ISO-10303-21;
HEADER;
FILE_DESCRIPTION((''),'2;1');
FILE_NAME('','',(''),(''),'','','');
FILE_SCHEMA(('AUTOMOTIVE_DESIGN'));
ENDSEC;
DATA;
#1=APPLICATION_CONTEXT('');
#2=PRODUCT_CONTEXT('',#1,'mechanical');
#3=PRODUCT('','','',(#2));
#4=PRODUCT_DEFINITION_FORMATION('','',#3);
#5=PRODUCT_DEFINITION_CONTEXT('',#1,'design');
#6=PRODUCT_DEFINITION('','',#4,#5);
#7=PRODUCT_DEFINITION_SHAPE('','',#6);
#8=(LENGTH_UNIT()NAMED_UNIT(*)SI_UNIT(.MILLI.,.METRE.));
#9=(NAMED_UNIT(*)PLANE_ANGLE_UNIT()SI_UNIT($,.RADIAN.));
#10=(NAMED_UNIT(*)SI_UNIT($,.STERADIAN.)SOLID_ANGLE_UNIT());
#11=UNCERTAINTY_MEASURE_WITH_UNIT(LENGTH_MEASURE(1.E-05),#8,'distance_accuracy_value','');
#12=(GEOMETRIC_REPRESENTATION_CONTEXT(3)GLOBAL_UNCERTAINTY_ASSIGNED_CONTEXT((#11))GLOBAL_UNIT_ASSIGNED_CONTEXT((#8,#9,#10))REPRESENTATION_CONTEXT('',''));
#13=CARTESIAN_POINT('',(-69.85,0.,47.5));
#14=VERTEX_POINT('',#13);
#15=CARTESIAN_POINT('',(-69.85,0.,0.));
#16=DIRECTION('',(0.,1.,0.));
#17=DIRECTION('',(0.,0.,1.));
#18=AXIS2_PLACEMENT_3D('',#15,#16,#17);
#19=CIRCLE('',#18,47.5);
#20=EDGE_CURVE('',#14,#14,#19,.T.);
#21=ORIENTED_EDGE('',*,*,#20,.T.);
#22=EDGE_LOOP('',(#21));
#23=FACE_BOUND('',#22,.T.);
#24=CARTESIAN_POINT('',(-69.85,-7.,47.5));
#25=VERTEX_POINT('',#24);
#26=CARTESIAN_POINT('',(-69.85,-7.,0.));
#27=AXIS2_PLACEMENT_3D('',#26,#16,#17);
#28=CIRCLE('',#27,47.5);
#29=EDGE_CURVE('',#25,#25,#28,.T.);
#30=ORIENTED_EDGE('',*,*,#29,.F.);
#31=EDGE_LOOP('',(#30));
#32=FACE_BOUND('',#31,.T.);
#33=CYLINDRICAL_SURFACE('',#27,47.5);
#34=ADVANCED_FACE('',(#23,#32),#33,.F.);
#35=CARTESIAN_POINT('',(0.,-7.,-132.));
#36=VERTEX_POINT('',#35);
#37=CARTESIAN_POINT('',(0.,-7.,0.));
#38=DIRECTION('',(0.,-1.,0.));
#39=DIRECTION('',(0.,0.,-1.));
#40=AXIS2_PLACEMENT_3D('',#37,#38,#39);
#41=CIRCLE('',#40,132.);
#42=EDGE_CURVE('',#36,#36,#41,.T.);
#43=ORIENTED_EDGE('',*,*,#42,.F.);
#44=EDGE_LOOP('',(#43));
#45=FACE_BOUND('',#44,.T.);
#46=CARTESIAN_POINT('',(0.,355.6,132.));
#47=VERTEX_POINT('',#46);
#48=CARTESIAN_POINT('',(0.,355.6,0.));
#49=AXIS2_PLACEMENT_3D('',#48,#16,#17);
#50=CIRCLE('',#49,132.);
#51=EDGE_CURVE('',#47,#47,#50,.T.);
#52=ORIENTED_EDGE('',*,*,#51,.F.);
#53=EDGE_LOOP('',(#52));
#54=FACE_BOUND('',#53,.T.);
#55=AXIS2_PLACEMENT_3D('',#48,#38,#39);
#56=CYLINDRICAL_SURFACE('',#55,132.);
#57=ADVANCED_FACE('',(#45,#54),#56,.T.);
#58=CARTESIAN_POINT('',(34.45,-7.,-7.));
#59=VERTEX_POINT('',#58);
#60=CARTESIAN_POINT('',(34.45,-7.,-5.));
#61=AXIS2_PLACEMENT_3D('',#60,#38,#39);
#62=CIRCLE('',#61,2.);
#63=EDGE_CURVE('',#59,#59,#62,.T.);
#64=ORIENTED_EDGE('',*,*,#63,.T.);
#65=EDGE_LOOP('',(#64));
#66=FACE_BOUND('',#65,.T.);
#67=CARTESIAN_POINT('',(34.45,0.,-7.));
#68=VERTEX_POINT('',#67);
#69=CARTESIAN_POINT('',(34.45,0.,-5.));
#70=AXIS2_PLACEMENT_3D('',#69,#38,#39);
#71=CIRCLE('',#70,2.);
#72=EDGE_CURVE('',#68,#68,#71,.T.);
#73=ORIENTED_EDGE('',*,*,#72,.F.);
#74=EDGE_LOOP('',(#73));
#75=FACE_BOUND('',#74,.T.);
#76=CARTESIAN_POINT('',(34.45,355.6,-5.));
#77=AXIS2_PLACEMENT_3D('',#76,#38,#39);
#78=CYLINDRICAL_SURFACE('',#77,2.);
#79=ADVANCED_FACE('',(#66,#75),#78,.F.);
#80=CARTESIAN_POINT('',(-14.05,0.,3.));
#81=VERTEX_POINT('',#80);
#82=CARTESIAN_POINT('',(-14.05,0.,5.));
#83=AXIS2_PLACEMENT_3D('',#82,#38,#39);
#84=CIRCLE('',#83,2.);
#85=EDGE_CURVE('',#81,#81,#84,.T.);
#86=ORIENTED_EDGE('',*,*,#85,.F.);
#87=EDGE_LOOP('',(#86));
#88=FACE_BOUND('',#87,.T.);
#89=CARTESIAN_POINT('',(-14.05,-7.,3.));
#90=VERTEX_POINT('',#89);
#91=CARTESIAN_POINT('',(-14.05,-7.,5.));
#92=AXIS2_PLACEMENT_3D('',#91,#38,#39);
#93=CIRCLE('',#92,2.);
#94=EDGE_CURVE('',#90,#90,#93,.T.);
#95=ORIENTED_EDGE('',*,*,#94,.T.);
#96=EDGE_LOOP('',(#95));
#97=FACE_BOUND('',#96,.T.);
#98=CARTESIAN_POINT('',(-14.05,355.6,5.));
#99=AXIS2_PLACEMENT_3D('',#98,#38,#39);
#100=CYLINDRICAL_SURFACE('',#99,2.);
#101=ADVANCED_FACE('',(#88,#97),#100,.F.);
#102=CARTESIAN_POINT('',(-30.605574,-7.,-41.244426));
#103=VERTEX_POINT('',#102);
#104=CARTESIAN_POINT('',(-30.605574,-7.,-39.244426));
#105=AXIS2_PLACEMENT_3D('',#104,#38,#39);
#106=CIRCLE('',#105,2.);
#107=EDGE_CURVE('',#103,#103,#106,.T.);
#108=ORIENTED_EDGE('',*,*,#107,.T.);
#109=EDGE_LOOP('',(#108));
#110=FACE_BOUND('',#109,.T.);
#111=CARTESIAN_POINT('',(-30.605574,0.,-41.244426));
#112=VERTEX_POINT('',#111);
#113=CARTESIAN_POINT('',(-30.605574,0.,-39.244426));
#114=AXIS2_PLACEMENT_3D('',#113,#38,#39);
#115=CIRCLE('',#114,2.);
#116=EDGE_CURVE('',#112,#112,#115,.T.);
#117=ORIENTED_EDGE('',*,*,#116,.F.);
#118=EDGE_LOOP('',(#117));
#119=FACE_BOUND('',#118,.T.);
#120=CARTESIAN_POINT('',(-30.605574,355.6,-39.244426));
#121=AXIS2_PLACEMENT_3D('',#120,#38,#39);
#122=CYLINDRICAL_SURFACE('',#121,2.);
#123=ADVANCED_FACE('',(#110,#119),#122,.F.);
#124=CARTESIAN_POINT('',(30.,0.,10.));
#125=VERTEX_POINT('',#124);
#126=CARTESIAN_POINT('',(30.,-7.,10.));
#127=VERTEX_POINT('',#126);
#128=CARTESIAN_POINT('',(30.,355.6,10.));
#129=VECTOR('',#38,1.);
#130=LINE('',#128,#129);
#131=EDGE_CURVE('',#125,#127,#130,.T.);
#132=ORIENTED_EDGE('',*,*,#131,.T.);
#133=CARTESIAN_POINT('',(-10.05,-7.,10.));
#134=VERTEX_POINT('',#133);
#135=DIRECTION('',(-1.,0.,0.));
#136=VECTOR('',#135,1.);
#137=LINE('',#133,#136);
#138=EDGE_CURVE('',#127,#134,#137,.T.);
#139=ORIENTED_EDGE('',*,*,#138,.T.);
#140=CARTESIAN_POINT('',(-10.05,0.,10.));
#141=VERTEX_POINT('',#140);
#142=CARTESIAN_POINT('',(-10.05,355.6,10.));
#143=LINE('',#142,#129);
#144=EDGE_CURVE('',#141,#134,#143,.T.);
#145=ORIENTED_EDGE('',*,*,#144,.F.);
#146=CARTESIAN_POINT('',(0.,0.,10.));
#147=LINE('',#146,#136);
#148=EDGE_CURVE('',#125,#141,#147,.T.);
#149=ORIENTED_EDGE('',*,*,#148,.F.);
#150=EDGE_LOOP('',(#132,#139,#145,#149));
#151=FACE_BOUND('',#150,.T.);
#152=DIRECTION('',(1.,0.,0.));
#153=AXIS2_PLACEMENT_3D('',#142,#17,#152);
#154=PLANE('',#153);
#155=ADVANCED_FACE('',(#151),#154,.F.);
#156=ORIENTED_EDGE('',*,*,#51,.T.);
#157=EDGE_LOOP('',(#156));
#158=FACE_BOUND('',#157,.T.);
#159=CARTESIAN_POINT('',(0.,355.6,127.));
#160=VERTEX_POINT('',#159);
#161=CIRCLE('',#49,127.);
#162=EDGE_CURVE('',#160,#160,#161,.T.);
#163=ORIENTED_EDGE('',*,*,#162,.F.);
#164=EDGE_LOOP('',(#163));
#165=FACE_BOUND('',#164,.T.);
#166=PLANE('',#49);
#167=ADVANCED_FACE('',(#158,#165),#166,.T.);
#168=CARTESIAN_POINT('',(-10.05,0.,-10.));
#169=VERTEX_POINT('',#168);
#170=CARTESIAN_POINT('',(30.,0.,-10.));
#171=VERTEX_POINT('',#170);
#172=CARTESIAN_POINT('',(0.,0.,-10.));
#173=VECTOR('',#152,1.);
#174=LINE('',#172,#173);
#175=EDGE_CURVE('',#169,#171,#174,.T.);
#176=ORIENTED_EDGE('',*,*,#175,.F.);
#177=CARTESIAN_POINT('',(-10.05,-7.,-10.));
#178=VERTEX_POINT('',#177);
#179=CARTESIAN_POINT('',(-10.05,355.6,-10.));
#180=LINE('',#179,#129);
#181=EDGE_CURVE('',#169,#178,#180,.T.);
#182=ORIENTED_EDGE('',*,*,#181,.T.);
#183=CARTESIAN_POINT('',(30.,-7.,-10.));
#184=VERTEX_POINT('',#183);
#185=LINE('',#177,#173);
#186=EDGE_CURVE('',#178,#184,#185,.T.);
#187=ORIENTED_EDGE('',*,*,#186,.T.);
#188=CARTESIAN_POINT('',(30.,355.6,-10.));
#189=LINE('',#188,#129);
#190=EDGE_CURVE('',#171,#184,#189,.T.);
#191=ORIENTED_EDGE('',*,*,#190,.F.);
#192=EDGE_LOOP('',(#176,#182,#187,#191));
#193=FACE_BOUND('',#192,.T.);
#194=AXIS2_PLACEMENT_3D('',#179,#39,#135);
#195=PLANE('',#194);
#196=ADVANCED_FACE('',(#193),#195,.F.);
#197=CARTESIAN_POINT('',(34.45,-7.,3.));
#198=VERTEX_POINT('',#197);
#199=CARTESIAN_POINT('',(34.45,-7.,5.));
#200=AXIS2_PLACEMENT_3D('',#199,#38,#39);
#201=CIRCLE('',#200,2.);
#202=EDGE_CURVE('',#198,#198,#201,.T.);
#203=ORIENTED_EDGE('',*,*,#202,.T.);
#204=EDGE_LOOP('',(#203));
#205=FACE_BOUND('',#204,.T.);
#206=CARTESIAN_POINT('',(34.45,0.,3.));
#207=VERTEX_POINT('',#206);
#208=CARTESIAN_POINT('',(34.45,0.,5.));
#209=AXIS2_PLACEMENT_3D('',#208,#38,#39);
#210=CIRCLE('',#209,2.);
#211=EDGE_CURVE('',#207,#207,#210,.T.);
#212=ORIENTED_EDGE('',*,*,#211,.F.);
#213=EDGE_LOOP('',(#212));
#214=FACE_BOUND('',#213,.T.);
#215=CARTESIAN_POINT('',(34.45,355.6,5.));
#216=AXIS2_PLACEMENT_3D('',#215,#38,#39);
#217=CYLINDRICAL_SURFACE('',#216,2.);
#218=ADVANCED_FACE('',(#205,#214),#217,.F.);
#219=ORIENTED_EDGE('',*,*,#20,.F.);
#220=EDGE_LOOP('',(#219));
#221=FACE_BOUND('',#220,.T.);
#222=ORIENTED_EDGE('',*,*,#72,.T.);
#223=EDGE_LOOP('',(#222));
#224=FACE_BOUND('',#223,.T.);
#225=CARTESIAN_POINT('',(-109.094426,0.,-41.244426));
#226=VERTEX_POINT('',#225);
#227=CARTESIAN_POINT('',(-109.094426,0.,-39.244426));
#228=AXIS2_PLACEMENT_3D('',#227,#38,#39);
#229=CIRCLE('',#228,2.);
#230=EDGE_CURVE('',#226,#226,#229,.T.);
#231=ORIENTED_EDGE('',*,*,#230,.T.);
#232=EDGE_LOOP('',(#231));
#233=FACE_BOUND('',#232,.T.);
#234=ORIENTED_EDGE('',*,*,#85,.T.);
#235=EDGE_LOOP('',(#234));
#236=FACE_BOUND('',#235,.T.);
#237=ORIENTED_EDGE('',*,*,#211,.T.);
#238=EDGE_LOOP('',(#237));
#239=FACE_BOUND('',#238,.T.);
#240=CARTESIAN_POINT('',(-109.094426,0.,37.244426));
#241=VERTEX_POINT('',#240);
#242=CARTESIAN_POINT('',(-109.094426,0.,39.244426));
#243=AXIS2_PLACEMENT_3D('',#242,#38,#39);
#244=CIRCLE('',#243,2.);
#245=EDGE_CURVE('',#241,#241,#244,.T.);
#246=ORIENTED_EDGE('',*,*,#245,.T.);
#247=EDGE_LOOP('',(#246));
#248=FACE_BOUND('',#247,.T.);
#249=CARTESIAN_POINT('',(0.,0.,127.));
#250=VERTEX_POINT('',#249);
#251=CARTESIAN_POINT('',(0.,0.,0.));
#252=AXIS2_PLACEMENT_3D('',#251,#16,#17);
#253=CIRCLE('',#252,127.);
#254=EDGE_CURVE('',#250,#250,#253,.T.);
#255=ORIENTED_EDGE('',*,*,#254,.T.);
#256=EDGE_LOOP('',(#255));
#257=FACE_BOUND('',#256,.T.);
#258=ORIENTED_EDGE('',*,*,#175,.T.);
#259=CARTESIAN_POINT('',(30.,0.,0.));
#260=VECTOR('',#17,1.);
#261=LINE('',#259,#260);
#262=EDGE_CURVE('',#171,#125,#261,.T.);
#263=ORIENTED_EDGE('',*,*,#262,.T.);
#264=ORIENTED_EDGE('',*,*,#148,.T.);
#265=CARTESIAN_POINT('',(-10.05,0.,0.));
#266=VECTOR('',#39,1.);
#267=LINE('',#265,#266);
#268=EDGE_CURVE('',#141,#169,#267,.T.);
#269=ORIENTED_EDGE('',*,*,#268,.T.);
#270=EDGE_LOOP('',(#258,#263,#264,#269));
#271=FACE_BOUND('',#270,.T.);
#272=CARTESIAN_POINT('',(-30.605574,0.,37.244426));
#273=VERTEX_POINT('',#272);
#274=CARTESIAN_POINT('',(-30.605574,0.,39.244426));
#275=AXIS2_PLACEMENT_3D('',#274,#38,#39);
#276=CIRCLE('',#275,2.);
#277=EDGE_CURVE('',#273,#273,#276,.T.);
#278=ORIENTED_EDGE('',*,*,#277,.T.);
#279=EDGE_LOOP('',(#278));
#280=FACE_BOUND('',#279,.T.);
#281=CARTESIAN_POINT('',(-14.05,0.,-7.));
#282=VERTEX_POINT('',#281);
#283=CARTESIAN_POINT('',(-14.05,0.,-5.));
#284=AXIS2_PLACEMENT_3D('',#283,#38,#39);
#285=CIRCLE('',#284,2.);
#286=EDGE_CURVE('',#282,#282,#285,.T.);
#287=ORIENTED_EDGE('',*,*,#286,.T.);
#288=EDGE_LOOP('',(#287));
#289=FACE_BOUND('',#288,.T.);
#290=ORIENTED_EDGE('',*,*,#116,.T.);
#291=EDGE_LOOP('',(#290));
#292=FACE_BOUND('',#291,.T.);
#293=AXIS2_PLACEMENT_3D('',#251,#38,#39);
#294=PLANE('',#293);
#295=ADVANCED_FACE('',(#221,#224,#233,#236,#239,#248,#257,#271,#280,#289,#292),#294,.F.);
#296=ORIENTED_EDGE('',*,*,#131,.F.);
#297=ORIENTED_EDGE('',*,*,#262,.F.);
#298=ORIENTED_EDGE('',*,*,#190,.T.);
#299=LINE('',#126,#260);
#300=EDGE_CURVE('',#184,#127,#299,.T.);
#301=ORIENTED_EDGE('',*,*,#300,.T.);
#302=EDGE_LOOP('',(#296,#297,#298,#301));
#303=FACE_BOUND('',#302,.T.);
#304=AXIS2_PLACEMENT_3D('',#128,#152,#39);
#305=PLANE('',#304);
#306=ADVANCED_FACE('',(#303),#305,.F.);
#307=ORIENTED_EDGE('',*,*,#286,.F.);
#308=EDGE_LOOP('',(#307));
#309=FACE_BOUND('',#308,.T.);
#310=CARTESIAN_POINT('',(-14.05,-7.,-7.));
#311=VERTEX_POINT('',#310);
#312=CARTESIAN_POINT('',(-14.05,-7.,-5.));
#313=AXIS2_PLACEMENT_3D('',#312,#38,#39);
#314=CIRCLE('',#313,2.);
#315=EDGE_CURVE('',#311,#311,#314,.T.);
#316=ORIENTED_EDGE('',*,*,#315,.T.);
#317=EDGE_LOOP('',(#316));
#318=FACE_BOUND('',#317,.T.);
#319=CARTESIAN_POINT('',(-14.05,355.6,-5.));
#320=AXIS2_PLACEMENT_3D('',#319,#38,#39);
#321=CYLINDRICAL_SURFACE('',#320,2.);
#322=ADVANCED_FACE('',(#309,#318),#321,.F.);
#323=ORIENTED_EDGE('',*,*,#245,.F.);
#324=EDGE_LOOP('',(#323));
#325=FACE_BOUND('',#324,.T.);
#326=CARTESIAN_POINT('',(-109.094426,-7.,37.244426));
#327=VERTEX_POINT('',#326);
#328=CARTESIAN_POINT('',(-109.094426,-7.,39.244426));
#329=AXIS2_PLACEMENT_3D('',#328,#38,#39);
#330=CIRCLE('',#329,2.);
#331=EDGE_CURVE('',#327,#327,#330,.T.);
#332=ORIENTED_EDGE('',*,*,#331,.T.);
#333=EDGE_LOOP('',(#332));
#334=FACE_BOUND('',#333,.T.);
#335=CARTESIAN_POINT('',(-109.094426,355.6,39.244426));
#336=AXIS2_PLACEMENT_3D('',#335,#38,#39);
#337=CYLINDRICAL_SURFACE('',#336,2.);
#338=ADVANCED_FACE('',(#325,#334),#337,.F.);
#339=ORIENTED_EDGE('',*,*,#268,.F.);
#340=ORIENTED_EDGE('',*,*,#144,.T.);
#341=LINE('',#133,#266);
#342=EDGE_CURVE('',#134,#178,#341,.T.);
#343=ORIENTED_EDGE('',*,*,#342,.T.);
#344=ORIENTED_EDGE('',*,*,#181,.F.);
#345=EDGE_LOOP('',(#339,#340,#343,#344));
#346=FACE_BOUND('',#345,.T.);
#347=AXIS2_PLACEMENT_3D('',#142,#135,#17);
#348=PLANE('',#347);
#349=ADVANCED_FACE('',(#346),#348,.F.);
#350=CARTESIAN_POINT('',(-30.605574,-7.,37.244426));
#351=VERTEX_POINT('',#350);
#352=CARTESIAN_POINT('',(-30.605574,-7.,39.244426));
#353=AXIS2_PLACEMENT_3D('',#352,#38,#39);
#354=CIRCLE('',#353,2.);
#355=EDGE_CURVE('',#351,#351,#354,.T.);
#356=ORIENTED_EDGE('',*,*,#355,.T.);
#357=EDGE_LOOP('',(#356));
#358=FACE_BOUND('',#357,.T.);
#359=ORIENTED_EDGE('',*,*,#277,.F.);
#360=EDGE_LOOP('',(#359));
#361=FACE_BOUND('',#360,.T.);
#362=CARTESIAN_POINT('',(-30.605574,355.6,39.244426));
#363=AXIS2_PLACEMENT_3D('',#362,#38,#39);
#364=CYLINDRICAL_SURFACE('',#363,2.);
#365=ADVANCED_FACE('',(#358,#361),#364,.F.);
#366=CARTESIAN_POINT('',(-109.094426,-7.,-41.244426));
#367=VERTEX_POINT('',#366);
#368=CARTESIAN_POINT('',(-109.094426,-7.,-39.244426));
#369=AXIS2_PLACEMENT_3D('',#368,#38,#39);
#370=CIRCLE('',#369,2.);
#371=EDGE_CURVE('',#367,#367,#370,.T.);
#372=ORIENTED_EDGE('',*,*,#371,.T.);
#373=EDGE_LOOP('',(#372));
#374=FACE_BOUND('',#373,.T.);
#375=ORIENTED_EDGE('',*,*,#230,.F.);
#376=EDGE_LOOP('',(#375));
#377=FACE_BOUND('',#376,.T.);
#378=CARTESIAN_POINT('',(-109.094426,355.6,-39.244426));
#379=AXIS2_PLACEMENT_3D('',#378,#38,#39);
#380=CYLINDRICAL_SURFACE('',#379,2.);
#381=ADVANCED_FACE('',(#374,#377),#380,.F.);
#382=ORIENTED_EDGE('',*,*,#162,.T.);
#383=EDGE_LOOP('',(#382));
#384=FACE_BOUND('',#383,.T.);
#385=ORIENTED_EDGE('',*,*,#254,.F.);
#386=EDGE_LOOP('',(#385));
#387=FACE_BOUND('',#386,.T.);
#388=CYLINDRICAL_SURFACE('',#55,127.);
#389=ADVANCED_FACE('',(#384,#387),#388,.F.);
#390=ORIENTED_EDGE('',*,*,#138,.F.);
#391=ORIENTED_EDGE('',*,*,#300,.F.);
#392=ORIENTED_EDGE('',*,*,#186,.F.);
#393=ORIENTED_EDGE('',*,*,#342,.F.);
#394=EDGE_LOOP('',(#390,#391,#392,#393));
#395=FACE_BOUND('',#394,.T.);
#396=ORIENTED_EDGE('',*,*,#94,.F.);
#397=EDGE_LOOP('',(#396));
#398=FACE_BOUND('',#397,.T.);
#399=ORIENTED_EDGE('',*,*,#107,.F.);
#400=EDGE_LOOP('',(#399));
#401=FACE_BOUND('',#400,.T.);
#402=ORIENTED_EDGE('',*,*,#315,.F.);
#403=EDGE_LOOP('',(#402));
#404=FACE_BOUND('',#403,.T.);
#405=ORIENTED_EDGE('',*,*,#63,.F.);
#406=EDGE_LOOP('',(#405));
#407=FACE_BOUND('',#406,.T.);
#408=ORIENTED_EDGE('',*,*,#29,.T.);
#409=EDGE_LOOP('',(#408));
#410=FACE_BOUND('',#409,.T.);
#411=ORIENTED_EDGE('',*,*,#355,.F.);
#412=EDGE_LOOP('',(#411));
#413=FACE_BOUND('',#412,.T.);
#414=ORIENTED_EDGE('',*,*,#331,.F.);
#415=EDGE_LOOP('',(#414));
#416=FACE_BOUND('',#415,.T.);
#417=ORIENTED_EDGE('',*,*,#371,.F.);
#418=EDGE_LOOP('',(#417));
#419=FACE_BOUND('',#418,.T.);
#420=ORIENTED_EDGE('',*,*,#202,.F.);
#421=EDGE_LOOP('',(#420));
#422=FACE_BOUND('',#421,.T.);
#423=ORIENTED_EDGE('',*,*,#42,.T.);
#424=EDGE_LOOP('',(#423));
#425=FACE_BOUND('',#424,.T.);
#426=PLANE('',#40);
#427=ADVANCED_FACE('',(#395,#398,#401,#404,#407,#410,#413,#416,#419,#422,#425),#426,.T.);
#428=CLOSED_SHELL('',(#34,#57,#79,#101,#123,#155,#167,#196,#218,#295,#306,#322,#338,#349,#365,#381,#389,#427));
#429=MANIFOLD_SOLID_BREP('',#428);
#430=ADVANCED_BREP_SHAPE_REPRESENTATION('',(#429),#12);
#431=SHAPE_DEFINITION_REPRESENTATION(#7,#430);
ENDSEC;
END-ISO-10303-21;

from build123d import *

# Parameters (mm, degrees)
SKETCH1_R           = 132
SKETCH1_R_2         = 127
BOSS_EXTRUDE1_DEPTH = 355.6
BOSS_EXTRUDE2_START = 7
SKETCH2_R           = 132
BOSS_EXTRUDE2_DEPTH = 7
SKETCH3_R           = 2
SKETCH3_W           = 40.05
SKETCH3_H           = 20
CUT_EXTRUDE1_DEPTH  = 408.831779046
SKETCH4_R           = 47.5
CUT_EXTRUDE2_DEPTH  = 402.62091579
SKETCH5_R           = 2
CUT_EXTRUDE3_DEPTH  = 408.831779046


with BuildPart() as part:
    # Sketch1 → Boss-Extrude1 (new body)
    with BuildSketch(Plane(origin=(0, 0, 0), x_dir=(1, 0, 0), z_dir=(0, 1, 0))):
        with Locations(Location((0, 0, 0), (0, 0, 270))):
            Circle(SKETCH1_R)
        with Locations(Location((0, 0, 0), (0, 0, 270))):
            Circle(SKETCH1_R_2, mode=Mode.SUBTRACT)
    extrude(amount=BOSS_EXTRUDE1_DEPTH)

    # Sketch2 → Boss-Extrude2 (add)
    with BuildSketch(Plane.XZ.offset(BOSS_EXTRUDE2_START)):
        with Locations(Location((0, 0, 0), (0, 0, 270))):
            Circle(SKETCH2_R)
    extrude(amount=-BOSS_EXTRUDE2_DEPTH)

    # Sketch3 → Cut-Extrude1 (cut, through all)
    with BuildSketch(Plane.XZ.offset(7)):
        with Locations(Location((-14.05, 5, 0), (0, 0, 270))):
            Circle(SKETCH3_R)
        with Locations(Location((-14.05, -5, 0), (0, 0, 270))):
            Circle(SKETCH3_R)
        with Locations(Location((34.45, 5, 0), (0, 0, 270))):
            Circle(SKETCH3_R)
        with Locations(Location((34.45, -5, 0), (0, 0, 270))):
            Circle(SKETCH3_R)
        with Locations((9.975, 0)):
            Rectangle(SKETCH3_W, SKETCH3_H)
    extrude(amount=-CUT_EXTRUDE1_DEPTH, mode=Mode.SUBTRACT)

    # Sketch4 → Cut-Extrude2 (cut, through all)
    with BuildSketch(Plane(origin=(0, 0, 0), x_dir=(1, 0, 0), z_dir=(0, 1, 0))):
        with Locations(Location((-69.85, 0, 0), (0, 0, 270))):
            Circle(SKETCH4_R)
    extrude(amount=-CUT_EXTRUDE2_DEPTH, mode=Mode.SUBTRACT)

    # Sketch5 → Cut-Extrude3 (cut, through all)
    with BuildSketch(Plane.XZ.offset(7)):
        with Locations(Location((-30.605573644, 39.244426356, 0), (0, 0, 270))):
            Circle(SKETCH5_R)
        with Locations(Location((-30.605573644, -39.244426356, 0), (0, 0, 270))):
            Circle(SKETCH5_R)
        with Locations(Location((-109.094426356, 39.244426356, 0), (0, 0, 270))):
            Circle(SKETCH5_R)
        with Locations(Location((-109.094426356, -39.244426356, 0), (0, 0, 270))):
            Circle(SKETCH5_R)
    extrude(amount=-CUT_EXTRUDE3_DEPTH, mode=Mode.SUBTRACT)


solid = part.part
